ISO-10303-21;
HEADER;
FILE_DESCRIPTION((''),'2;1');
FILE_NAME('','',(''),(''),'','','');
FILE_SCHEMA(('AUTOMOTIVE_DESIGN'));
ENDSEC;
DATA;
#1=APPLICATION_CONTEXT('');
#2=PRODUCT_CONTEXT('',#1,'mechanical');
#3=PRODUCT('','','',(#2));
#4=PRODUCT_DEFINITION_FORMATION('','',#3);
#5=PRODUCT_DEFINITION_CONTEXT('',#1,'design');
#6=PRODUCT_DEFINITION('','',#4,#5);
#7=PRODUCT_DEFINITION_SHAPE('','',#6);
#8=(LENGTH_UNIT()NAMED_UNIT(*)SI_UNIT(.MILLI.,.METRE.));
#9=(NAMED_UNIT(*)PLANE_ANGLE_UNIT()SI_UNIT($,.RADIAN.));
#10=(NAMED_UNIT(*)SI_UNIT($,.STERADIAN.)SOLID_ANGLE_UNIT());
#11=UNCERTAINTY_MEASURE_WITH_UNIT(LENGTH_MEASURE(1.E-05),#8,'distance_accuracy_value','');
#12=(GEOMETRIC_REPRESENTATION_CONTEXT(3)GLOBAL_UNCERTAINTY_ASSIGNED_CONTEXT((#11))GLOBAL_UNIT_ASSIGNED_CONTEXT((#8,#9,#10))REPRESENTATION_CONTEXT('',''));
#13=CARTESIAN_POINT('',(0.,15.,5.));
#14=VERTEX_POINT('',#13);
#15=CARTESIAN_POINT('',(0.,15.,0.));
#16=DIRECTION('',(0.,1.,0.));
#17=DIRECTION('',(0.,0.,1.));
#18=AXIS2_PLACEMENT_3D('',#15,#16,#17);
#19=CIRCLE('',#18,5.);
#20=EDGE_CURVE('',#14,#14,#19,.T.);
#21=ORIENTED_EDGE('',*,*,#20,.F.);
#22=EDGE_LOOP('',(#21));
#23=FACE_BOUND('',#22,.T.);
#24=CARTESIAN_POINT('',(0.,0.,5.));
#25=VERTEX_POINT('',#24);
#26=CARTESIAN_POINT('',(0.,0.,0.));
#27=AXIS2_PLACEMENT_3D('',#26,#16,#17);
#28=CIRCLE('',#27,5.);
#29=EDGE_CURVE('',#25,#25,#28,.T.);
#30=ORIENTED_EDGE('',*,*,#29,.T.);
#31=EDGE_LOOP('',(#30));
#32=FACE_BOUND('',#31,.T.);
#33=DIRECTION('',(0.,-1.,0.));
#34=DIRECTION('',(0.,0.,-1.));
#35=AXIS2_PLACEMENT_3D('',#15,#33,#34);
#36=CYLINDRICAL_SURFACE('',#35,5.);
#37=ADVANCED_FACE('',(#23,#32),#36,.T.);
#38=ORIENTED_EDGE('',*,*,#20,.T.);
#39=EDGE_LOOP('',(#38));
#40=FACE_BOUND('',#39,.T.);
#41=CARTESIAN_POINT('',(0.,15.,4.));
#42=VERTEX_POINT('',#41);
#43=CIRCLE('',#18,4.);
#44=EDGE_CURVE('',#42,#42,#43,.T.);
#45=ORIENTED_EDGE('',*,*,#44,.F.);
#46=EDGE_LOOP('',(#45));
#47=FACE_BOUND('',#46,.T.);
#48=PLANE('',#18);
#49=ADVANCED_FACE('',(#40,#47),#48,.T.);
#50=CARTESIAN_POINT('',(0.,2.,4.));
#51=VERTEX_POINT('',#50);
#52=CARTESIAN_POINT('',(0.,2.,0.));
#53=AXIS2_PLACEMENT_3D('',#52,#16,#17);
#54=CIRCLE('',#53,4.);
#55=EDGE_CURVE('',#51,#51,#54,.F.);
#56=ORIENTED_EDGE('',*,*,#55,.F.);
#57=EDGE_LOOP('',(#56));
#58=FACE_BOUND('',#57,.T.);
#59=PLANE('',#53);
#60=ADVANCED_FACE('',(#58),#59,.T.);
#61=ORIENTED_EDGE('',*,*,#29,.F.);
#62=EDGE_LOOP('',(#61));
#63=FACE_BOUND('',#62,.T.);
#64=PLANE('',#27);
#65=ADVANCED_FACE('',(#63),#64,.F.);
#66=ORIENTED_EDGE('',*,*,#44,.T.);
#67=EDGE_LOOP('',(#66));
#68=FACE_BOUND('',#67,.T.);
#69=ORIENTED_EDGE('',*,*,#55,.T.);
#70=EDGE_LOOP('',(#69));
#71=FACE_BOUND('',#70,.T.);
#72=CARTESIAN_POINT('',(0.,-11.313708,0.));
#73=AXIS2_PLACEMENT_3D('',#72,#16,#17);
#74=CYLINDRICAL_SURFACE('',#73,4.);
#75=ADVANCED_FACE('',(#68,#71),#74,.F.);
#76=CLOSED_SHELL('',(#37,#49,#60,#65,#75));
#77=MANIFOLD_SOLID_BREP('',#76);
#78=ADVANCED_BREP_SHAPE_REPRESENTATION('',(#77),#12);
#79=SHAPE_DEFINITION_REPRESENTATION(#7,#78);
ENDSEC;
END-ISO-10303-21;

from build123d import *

# Parameters (mm, degrees)
SKETCH2_R           = 5
BOSS_EXTRUDE1_DEPTH = 15
SKETCH3_R           = 4
CUT_EXTRUDE1_DEPTH  = 13


with BuildPart() as part:
    # Sketch2 → Boss-Extrude1 (new body)
    with BuildSketch(Plane(origin=(0, 0, 0), x_dir=(1, 0, 0), z_dir=(0, 1, 0))):
        with Locations(Location((0, 0, 0), (0, 0, 270))):
            Circle(SKETCH2_R)
    extrude(amount=BOSS_EXTRUDE1_DEPTH)

    # Sketch3 → Cut-Extrude1 (cut)
    with BuildSketch(Plane(origin=(0, 15, 0), x_dir=(1, 0, 0), z_dir=(0, 1, 0))):
        with Locations(Location((0, 0, 0), (0, 0, 270))):
            Circle(SKETCH3_R)
    extrude(amount=-CUT_EXTRUDE1_DEPTH, mode=Mode.SUBTRACT)


solid = part.part
